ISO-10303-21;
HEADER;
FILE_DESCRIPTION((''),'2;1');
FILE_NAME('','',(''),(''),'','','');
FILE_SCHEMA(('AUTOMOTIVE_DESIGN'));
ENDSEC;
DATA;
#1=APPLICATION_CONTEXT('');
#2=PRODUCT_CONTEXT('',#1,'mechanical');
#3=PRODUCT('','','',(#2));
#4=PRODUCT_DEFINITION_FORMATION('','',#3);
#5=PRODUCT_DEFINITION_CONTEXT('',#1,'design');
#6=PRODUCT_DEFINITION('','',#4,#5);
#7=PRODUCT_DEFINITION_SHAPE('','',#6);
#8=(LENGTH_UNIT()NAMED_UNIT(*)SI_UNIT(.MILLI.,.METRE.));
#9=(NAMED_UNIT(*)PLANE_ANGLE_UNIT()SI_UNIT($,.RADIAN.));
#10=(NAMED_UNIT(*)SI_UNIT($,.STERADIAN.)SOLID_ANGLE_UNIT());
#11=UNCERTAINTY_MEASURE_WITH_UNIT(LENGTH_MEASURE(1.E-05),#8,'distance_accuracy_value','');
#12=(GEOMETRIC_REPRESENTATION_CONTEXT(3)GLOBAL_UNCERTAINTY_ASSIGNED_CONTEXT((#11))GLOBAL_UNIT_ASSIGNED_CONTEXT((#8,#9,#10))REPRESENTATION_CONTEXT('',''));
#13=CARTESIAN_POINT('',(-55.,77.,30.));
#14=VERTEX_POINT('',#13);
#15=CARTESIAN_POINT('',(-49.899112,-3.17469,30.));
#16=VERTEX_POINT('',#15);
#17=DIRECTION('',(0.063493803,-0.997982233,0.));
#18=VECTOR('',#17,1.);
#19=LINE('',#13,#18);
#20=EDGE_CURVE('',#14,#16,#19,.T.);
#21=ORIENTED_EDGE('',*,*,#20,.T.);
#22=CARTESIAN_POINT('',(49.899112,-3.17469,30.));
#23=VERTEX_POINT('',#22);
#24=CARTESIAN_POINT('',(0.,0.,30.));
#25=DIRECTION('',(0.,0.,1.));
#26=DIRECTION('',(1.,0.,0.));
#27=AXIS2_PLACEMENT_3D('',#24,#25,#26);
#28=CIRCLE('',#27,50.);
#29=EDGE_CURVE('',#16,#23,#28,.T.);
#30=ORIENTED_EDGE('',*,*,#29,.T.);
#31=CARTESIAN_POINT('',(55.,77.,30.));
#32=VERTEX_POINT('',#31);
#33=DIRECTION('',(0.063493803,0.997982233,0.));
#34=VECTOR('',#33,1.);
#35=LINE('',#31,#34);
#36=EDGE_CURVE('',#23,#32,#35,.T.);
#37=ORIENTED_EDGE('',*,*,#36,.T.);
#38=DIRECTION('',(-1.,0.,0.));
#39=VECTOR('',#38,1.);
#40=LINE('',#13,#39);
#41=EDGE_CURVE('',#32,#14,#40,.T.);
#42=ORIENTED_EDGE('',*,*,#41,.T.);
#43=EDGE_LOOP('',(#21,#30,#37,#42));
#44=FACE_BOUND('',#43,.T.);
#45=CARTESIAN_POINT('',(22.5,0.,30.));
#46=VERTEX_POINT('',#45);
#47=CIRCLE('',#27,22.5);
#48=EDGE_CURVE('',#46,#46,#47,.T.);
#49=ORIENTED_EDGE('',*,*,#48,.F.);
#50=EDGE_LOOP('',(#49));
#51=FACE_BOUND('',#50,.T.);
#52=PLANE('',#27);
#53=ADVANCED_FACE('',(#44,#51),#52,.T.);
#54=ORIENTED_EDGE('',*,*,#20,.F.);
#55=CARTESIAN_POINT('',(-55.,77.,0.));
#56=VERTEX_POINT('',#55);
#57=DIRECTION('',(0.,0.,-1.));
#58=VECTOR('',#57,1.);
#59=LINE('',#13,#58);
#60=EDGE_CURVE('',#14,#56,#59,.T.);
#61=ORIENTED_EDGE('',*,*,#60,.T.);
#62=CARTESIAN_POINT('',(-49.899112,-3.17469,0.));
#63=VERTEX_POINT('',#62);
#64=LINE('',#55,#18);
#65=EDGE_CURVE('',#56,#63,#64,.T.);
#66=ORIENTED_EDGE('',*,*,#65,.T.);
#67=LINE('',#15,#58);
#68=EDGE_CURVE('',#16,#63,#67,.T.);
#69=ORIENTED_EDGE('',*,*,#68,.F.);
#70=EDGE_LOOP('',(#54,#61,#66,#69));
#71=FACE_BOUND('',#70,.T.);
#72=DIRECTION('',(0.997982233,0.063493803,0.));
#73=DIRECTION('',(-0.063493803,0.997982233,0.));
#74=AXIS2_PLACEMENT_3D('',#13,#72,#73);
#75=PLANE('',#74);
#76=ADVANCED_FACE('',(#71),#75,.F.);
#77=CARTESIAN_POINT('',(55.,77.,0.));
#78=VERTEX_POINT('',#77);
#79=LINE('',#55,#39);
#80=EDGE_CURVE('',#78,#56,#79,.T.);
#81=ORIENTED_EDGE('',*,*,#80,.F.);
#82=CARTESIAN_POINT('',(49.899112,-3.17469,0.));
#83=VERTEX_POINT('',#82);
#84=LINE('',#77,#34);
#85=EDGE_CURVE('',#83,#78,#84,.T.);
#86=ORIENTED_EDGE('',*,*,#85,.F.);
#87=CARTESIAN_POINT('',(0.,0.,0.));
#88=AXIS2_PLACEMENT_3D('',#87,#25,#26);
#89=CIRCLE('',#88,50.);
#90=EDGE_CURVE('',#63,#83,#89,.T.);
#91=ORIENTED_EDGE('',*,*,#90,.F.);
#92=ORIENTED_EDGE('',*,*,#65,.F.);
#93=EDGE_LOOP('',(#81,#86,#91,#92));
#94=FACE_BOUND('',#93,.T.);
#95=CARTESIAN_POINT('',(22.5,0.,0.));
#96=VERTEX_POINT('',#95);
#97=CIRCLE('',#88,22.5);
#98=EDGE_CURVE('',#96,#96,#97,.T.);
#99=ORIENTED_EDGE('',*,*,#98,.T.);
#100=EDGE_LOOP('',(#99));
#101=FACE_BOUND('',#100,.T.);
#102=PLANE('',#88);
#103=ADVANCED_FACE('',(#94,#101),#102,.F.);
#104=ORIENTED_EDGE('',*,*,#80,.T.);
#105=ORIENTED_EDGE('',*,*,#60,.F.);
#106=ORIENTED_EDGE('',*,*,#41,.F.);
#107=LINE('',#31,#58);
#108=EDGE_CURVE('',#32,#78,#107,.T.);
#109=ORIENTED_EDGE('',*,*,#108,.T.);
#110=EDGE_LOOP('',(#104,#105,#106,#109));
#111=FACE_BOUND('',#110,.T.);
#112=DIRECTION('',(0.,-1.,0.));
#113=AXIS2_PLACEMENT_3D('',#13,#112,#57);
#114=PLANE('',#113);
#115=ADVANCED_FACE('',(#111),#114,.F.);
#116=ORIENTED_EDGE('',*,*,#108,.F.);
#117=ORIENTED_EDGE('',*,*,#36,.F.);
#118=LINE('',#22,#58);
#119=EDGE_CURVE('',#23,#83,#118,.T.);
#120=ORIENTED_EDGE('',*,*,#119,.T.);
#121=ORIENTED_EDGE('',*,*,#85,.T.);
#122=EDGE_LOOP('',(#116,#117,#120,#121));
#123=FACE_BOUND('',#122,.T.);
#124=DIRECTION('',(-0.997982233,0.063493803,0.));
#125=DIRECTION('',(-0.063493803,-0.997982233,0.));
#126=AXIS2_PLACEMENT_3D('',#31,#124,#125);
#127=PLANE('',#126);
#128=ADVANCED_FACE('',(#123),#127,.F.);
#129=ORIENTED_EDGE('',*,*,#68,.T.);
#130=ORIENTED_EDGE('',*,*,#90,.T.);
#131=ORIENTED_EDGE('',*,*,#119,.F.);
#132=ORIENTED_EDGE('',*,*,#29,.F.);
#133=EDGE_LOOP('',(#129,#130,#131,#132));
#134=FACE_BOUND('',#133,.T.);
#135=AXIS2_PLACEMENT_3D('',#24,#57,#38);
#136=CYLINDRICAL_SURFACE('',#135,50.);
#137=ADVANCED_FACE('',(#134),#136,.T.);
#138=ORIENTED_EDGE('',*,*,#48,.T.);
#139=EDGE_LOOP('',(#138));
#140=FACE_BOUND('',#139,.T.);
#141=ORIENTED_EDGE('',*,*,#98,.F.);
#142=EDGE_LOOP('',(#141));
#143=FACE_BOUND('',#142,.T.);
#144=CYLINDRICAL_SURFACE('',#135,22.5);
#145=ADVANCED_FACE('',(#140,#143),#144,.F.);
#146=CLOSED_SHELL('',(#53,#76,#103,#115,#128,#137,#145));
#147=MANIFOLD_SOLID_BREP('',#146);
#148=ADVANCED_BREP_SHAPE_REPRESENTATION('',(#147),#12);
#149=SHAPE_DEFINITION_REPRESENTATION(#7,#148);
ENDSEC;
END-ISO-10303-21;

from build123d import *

# Parameters (mm, degrees)
SKETCH_1_R      = 22.5
EXTRUDE_1_DEPTH = 30


with BuildPart() as part:
    # 草图1 → 凸台-拉伸1 (new body)
    with BuildSketch(Plane.XY):
        with BuildLine():
            Line((-55, 77), (55, 77))
            Line((55, 77), (49.899111641, -3.174690133))
            ThreePointArc((49.899111641, -3.174690133), (0, -50), (-49.899111641, -3.174690133))
            Line((-49.899111641, -3.174690133), (-55, 77))
        make_face()
        Circle(SKETCH_1_R, mode=Mode.SUBTRACT)
    extrude(amount=EXTRUDE_1_DEPTH)


solid = part.part
